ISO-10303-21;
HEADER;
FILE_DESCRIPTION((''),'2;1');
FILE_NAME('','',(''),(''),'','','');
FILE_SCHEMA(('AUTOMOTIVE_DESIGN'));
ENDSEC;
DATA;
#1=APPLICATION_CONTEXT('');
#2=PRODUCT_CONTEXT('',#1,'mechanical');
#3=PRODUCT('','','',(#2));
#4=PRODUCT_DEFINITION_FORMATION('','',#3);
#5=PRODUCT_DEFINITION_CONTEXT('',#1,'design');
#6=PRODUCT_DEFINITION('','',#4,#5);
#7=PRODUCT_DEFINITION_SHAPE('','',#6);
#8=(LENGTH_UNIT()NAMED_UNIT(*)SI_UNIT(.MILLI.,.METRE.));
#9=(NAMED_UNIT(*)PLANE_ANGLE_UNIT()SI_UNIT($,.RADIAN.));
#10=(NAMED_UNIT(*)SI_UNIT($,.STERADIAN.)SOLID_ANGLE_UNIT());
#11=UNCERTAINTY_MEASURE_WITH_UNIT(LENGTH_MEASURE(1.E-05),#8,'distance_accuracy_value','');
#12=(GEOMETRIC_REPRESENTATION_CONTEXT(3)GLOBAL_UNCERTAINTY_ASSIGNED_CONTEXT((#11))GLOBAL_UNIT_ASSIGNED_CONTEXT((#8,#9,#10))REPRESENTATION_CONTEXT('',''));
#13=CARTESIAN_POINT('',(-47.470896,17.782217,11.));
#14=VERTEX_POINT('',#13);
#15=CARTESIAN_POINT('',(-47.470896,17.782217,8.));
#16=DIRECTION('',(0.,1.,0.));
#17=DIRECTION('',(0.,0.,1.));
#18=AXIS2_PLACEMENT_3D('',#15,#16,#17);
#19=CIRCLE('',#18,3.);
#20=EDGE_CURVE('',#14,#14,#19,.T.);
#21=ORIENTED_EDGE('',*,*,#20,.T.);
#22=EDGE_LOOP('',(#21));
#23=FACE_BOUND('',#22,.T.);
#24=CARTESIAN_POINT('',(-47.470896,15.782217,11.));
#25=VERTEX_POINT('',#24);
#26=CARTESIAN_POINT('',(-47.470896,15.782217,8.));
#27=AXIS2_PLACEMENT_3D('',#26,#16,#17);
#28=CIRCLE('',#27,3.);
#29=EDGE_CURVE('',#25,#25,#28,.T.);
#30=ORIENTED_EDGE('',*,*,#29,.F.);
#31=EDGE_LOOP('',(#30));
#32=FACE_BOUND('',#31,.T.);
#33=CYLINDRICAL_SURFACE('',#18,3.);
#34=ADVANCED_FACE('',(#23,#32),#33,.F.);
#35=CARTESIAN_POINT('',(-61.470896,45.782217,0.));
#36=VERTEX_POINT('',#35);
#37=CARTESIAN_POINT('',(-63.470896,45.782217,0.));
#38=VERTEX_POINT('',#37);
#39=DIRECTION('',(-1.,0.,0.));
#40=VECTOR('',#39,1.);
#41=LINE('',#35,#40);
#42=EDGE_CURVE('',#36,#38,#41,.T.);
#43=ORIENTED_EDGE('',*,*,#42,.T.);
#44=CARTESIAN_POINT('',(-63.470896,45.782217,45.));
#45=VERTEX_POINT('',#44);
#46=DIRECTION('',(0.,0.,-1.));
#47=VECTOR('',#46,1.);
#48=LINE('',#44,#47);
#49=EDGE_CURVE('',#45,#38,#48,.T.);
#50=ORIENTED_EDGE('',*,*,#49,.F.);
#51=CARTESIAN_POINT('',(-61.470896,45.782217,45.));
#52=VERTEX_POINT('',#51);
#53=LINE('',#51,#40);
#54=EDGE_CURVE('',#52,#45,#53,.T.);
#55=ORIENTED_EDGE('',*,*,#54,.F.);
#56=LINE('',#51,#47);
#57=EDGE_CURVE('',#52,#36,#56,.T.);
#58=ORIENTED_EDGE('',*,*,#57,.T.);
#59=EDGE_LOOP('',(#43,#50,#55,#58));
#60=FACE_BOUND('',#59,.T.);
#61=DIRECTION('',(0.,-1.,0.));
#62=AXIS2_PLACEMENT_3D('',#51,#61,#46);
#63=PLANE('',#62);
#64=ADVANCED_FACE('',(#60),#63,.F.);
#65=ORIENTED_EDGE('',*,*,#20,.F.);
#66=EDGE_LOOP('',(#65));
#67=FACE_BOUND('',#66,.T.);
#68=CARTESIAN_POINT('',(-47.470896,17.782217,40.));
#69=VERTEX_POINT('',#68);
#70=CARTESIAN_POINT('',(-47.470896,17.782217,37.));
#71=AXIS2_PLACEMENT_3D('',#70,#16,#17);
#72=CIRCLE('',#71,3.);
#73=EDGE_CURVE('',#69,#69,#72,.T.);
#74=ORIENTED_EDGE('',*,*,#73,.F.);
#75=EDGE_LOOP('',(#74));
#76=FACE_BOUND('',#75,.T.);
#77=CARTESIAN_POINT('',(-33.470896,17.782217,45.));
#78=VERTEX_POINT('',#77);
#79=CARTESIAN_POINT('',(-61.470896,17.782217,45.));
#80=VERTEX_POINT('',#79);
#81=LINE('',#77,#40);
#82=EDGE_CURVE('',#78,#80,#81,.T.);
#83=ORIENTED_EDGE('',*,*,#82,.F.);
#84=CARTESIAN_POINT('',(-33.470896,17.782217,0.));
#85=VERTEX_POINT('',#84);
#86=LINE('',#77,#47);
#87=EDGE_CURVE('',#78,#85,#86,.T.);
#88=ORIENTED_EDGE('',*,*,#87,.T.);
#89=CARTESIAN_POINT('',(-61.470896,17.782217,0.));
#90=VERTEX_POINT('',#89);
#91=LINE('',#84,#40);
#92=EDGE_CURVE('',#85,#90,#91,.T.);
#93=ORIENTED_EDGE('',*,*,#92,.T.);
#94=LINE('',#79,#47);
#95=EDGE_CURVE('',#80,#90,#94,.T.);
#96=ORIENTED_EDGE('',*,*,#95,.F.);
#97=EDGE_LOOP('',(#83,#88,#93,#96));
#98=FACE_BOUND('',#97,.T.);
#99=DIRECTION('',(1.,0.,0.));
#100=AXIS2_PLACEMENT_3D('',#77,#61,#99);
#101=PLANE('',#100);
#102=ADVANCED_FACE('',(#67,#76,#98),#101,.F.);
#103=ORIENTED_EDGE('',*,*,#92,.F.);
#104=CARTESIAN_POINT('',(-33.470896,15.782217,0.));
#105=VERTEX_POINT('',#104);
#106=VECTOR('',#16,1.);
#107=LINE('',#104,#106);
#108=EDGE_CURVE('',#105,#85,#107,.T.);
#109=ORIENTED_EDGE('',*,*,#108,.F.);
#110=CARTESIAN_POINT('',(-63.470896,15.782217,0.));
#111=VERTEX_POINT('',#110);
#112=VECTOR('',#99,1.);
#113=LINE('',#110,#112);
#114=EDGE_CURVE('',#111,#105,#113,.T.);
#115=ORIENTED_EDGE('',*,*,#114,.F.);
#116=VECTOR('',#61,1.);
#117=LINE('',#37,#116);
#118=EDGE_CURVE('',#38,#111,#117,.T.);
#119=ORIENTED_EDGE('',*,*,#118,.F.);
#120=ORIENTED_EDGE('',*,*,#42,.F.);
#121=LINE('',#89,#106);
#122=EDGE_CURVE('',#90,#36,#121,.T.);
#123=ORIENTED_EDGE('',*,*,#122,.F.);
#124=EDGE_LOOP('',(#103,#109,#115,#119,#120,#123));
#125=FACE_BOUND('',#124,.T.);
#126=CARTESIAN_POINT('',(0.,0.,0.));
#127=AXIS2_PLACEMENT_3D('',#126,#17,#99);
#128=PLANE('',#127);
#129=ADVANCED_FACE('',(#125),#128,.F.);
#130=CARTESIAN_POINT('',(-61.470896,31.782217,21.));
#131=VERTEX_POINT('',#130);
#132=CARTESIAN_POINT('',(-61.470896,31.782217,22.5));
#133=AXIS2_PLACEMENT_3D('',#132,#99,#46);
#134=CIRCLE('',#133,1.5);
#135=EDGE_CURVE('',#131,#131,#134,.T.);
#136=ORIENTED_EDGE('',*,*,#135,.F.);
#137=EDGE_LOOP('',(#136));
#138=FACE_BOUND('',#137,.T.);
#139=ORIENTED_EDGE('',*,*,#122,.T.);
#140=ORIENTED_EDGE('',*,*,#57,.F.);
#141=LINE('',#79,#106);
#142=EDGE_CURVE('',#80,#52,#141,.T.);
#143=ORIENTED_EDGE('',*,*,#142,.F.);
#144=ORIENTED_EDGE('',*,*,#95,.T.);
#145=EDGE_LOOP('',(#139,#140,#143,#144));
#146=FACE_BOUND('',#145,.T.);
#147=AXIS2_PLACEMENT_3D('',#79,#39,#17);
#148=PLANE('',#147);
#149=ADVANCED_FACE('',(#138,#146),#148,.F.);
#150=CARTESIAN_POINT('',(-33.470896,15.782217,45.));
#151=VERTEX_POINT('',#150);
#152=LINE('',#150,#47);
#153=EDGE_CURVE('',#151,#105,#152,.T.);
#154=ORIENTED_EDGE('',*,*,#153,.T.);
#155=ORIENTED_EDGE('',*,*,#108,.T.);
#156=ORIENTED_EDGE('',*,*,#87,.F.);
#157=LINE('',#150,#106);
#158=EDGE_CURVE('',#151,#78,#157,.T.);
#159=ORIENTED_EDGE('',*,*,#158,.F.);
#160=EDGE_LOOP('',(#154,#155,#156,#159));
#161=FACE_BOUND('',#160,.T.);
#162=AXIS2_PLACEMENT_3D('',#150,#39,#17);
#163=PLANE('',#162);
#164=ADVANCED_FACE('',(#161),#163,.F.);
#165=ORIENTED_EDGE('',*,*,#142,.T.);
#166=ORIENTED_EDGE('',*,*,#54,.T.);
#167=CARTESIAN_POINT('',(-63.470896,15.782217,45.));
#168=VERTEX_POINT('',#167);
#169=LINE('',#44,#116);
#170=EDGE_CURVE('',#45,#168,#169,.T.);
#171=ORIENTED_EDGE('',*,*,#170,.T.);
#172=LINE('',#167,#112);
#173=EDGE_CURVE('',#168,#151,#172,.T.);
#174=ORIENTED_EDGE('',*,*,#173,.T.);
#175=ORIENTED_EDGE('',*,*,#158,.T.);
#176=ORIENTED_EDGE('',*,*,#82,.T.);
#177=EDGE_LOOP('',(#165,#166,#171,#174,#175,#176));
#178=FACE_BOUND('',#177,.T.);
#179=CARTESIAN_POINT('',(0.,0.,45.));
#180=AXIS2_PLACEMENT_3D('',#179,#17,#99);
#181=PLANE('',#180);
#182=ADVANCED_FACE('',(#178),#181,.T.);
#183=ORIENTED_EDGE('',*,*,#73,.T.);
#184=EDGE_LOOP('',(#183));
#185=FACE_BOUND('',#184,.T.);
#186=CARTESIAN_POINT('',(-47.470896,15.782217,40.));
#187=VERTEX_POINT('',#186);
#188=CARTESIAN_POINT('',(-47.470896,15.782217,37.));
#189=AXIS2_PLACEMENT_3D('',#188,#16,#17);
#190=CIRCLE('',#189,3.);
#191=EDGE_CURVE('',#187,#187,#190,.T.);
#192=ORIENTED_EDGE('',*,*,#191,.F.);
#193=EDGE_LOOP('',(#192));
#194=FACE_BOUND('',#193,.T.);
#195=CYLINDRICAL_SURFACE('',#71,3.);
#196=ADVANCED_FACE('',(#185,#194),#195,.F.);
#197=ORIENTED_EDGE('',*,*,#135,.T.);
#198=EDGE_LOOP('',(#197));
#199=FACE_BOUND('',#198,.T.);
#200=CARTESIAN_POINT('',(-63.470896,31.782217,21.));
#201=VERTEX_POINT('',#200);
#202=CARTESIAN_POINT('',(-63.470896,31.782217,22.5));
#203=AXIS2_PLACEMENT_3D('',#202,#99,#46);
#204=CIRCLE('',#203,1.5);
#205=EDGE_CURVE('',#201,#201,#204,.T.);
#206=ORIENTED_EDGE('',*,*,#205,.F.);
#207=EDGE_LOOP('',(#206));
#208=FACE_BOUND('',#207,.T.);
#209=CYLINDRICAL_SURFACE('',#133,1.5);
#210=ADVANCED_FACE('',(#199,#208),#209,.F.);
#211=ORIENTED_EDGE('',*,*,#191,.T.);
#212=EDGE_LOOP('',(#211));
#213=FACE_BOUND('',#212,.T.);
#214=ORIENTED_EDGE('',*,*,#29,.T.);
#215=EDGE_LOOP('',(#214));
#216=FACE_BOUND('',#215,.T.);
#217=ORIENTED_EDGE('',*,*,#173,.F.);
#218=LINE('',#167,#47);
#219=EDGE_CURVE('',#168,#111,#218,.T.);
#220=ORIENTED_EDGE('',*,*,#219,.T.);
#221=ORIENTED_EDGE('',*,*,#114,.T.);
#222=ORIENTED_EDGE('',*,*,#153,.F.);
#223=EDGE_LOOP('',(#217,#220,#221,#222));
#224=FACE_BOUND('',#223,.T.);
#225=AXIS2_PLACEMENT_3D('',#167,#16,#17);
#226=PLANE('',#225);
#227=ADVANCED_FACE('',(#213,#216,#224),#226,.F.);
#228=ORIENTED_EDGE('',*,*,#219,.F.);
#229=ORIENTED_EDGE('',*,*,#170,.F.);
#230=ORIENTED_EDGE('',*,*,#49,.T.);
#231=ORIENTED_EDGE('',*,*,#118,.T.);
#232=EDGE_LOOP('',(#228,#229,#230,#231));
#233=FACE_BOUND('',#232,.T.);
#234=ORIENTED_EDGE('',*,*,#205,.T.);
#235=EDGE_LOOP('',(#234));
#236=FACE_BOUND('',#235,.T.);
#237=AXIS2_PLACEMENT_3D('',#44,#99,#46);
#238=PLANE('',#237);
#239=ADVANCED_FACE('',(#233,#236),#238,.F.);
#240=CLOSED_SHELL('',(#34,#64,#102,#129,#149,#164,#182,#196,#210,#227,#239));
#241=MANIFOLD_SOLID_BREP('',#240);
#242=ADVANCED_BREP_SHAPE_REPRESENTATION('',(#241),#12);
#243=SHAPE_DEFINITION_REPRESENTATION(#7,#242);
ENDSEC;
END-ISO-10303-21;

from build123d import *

# Parameters (mm, degrees)
P_IDAT_VYSUNUT_M1_DEPTH       = 45
D_RY_PRO_KOL_K_VELIKOST_MM1_D = 6
D_RY_PRO_KOL_K_VELIKOST_MM2_D = 3


with BuildPart() as part:
    # Skica1 → Přidat vysunutím1 (new body)
    with BuildSketch(Plane.XY):
        Polygon((-63.470895832, 45.782217357), (-63.470895832, 15.782217357), (-33.470895832, 15.782217357), (-33.470895832, 17.782217357), (-61.470895832, 17.782217357), (-61.470895832, 45.782217357), align=None)
    extrude(amount=P_IDAT_VYSUNUT_M1_DEPTH)

    # Díry pro kolík, velikost mm1 (through all)
    with Locations(Plane(origin=(0, 17.782217357, 0), x_dir=(1, 0, 0), z_dir=(0, 1, 0))):
        with Locations((-47.470895832, -37), (-47.470895832, -8)):
            Hole(D_RY_PRO_KOL_K_VELIKOST_MM1_D / 2)

    # Díry pro kolík, velikost mm2 (through all)
    with Locations(Plane(origin=(-61.470895832, 0, 0), x_dir=(0, 0, -1), z_dir=(1, 0, 0))):
        with Locations((-22.5, 31.782217357)):
            Hole(D_RY_PRO_KOL_K_VELIKOST_MM2_D / 2)


solid = part.part
